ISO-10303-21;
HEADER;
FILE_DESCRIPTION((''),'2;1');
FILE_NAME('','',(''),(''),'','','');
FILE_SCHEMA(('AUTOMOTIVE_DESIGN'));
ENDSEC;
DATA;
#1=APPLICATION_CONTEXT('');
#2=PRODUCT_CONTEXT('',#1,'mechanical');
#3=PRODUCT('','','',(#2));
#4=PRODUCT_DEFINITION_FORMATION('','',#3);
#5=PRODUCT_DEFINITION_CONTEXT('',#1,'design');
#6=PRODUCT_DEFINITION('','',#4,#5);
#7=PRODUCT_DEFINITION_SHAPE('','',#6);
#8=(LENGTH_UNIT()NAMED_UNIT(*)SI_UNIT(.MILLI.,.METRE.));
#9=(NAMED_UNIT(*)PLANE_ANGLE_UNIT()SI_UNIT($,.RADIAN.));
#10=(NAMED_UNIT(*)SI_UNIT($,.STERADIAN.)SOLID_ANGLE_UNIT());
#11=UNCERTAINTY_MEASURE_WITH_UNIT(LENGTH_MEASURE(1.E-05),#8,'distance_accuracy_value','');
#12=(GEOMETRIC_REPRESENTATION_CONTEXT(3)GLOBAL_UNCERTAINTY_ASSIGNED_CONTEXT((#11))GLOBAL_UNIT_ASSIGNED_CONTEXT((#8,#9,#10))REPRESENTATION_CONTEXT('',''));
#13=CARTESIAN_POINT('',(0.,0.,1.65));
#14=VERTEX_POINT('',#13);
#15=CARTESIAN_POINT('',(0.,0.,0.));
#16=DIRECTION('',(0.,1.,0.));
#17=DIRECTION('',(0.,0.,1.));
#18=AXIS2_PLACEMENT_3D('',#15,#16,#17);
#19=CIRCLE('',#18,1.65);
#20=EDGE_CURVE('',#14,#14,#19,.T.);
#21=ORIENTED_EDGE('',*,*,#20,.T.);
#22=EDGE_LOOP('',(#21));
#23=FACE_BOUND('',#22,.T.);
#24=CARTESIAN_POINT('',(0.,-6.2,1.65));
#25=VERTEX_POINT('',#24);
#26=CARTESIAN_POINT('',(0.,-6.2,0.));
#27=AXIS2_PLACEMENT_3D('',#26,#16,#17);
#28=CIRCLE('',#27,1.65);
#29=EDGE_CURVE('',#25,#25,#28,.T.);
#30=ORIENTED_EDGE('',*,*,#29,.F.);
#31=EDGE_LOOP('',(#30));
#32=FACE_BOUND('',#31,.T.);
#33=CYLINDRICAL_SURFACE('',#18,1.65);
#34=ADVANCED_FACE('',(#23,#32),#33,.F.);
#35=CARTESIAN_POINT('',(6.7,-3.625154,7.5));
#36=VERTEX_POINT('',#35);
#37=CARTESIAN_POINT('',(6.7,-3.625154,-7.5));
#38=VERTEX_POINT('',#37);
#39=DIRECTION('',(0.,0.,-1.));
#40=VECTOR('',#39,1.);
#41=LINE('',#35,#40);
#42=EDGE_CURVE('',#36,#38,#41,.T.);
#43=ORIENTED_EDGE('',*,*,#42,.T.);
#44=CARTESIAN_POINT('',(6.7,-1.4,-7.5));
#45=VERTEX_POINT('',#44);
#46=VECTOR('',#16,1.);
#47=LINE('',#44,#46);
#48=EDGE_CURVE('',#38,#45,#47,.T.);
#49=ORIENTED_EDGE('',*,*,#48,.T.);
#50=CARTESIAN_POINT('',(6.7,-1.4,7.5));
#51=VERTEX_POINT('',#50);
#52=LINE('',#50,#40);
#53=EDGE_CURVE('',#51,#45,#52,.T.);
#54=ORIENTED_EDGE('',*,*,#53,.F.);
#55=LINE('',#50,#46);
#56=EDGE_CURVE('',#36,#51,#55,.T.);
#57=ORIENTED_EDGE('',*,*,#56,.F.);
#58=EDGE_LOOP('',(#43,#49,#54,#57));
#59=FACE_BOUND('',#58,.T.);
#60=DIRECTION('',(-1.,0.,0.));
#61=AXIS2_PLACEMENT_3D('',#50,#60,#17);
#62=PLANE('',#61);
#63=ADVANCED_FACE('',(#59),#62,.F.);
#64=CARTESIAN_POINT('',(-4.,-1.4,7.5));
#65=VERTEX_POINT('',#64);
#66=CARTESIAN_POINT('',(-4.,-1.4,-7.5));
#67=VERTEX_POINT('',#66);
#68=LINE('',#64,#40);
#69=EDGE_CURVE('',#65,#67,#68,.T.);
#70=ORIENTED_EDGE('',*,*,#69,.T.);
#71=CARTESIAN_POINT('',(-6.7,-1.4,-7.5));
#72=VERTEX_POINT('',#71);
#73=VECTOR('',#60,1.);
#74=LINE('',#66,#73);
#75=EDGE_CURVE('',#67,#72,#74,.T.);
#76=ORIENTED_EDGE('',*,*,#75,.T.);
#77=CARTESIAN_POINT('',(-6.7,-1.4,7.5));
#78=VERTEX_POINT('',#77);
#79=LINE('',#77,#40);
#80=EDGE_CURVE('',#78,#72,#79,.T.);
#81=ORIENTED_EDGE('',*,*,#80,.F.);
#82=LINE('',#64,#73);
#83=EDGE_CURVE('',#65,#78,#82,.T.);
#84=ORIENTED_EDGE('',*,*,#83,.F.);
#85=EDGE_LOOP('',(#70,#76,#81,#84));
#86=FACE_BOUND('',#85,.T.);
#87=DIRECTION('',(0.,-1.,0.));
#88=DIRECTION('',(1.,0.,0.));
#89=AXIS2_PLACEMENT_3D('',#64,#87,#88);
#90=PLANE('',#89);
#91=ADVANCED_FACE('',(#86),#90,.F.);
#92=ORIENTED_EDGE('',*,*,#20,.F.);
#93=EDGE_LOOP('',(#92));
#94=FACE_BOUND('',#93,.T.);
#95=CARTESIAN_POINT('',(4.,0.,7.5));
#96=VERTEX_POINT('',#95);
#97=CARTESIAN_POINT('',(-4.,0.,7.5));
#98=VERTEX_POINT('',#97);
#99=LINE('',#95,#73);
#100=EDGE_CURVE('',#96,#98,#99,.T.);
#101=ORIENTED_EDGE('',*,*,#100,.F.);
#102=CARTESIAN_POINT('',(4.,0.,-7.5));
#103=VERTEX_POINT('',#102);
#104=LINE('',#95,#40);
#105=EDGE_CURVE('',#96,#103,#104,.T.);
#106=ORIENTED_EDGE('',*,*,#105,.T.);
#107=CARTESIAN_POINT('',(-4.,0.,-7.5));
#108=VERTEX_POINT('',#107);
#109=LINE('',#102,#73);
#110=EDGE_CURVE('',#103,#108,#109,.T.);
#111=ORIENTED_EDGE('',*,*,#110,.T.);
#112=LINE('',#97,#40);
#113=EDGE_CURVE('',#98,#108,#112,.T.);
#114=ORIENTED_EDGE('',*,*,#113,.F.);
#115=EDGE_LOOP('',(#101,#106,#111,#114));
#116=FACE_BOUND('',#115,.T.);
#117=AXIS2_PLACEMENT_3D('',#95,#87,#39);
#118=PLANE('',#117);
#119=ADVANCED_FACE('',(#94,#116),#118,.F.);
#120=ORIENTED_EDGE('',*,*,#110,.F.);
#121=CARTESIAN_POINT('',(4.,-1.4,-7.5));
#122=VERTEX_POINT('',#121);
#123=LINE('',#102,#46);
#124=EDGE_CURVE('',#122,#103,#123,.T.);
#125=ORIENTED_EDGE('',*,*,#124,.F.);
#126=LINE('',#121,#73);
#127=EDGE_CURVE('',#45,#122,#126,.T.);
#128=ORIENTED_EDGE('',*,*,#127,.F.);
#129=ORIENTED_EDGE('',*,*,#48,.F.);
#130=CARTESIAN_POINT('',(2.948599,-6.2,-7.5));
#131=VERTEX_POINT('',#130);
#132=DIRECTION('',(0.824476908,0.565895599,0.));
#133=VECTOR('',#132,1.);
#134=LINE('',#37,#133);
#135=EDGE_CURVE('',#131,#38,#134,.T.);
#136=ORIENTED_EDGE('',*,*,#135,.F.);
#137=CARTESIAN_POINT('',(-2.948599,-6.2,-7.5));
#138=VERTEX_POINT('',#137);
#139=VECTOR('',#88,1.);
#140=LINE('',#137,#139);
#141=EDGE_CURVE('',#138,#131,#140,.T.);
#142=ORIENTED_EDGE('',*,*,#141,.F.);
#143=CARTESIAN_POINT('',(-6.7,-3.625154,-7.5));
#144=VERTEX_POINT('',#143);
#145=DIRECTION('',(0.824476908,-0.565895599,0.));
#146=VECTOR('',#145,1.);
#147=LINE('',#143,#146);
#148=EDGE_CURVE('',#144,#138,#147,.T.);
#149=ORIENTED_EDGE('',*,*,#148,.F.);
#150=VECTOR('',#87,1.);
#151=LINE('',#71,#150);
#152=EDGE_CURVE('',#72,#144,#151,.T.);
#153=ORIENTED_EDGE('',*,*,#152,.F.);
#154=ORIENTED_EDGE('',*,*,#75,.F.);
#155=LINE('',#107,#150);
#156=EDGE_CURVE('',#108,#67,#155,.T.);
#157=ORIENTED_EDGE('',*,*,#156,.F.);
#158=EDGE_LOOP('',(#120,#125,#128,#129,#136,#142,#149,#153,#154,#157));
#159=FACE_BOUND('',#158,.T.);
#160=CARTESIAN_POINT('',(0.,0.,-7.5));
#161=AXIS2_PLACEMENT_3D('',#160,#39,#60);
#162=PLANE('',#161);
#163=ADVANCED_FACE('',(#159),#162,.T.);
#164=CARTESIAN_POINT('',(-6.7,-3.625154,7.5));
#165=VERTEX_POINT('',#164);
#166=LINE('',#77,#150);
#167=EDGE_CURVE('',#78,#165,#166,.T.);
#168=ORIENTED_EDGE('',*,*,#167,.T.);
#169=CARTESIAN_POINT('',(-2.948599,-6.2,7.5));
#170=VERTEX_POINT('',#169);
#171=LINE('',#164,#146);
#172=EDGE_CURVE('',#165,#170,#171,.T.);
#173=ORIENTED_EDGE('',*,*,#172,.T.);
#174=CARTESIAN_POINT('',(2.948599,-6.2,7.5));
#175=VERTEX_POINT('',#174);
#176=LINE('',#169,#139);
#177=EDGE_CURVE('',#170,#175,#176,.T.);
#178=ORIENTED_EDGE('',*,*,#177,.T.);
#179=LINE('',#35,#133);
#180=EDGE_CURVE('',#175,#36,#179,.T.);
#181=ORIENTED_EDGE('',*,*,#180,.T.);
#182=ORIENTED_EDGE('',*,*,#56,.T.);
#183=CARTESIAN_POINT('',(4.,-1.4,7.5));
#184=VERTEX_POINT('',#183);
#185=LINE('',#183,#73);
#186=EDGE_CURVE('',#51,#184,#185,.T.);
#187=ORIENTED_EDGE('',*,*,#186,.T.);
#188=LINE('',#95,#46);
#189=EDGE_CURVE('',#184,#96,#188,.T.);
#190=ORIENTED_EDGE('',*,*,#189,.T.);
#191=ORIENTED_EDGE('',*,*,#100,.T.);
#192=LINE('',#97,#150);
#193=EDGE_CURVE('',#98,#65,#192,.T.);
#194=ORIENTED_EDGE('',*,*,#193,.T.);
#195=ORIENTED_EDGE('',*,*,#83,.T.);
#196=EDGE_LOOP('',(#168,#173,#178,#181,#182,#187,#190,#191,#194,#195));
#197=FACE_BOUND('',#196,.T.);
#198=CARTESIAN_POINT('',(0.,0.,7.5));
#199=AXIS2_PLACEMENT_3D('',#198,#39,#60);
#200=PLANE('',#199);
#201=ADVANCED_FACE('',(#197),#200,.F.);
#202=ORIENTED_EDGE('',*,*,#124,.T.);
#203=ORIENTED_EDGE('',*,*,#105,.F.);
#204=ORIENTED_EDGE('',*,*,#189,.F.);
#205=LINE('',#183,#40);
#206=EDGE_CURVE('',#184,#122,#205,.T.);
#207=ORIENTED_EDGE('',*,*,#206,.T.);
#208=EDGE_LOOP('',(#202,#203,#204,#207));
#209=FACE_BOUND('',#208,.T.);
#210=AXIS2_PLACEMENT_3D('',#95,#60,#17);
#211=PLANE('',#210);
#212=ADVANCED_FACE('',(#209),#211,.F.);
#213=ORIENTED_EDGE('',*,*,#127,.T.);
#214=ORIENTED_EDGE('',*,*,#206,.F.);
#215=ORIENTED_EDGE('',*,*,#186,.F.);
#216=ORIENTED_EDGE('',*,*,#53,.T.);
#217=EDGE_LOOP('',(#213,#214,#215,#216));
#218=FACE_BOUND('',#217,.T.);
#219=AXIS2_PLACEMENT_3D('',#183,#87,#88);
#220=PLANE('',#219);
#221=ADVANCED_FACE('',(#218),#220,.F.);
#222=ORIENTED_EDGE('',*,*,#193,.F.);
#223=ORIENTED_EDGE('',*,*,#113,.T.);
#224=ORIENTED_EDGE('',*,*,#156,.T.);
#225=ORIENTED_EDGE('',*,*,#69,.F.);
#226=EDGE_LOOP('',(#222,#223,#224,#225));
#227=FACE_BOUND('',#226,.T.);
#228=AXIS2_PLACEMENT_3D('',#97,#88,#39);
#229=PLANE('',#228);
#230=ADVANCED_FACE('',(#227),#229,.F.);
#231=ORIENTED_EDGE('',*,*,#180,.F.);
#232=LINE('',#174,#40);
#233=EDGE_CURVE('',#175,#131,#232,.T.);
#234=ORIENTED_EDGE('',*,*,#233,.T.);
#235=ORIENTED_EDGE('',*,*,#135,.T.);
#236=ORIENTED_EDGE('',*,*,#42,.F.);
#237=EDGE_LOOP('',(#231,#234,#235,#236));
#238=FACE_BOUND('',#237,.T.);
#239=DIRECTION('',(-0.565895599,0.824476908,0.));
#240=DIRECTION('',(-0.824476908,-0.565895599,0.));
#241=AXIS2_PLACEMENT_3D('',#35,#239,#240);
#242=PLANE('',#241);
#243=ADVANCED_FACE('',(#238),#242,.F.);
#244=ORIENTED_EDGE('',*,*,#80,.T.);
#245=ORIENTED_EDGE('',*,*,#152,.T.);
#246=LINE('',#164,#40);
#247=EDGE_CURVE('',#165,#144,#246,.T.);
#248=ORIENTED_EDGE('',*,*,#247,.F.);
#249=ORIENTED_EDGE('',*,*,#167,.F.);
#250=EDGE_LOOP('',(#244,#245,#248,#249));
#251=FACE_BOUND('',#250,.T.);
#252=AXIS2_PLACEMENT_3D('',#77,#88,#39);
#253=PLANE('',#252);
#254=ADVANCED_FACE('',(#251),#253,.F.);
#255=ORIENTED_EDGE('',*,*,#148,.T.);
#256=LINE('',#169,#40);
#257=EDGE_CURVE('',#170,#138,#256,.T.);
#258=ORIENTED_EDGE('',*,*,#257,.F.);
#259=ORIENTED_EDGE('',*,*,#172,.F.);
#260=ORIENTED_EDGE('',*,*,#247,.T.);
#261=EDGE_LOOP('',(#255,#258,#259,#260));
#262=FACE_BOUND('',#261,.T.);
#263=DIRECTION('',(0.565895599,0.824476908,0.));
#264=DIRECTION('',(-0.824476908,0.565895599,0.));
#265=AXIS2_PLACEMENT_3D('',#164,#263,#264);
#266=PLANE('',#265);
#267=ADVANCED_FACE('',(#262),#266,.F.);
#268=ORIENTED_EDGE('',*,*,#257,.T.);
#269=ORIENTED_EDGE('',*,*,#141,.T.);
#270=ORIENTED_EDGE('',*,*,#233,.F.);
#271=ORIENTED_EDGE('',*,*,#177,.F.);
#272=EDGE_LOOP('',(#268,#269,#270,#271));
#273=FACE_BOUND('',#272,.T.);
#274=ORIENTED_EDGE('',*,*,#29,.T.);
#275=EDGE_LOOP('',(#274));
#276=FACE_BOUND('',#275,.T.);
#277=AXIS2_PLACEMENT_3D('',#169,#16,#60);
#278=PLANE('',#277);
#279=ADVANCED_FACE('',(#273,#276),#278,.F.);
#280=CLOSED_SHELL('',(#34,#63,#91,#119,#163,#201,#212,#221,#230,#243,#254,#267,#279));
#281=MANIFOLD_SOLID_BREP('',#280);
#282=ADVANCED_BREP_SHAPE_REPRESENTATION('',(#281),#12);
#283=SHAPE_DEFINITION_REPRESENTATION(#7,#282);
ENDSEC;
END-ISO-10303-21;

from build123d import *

# Parameters (mm, degrees)
EXTRUDE_1_DEPTH   = 7.5
HOLE_WIZARD_M41_D = 3.3


with BuildPart() as part:
    # Эскиз1 → Бобышка-Вытянуть1 (new body, symmetric)
    with BuildSketch(Plane.XY):
        Polygon((4, 0), (-4, 0), (-4, -1.4), (-6.7, -1.4), (-6.7, -3.625153657), (-2.948598936, -6.2), (2.948598936, -6.2), (6.7, -3.625153657), (6.7, -1.4), (4, -1.4), align=None)
    extrude(amount=EXTRUDE_1_DEPTH, both=True)

    # Отверстие обработанное метчиком M41 (through all)
    with Locations(Plane.ZX):
        with Locations((0, 0)):
            Hole(HOLE_WIZARD_M41_D / 2)


solid = part.part
